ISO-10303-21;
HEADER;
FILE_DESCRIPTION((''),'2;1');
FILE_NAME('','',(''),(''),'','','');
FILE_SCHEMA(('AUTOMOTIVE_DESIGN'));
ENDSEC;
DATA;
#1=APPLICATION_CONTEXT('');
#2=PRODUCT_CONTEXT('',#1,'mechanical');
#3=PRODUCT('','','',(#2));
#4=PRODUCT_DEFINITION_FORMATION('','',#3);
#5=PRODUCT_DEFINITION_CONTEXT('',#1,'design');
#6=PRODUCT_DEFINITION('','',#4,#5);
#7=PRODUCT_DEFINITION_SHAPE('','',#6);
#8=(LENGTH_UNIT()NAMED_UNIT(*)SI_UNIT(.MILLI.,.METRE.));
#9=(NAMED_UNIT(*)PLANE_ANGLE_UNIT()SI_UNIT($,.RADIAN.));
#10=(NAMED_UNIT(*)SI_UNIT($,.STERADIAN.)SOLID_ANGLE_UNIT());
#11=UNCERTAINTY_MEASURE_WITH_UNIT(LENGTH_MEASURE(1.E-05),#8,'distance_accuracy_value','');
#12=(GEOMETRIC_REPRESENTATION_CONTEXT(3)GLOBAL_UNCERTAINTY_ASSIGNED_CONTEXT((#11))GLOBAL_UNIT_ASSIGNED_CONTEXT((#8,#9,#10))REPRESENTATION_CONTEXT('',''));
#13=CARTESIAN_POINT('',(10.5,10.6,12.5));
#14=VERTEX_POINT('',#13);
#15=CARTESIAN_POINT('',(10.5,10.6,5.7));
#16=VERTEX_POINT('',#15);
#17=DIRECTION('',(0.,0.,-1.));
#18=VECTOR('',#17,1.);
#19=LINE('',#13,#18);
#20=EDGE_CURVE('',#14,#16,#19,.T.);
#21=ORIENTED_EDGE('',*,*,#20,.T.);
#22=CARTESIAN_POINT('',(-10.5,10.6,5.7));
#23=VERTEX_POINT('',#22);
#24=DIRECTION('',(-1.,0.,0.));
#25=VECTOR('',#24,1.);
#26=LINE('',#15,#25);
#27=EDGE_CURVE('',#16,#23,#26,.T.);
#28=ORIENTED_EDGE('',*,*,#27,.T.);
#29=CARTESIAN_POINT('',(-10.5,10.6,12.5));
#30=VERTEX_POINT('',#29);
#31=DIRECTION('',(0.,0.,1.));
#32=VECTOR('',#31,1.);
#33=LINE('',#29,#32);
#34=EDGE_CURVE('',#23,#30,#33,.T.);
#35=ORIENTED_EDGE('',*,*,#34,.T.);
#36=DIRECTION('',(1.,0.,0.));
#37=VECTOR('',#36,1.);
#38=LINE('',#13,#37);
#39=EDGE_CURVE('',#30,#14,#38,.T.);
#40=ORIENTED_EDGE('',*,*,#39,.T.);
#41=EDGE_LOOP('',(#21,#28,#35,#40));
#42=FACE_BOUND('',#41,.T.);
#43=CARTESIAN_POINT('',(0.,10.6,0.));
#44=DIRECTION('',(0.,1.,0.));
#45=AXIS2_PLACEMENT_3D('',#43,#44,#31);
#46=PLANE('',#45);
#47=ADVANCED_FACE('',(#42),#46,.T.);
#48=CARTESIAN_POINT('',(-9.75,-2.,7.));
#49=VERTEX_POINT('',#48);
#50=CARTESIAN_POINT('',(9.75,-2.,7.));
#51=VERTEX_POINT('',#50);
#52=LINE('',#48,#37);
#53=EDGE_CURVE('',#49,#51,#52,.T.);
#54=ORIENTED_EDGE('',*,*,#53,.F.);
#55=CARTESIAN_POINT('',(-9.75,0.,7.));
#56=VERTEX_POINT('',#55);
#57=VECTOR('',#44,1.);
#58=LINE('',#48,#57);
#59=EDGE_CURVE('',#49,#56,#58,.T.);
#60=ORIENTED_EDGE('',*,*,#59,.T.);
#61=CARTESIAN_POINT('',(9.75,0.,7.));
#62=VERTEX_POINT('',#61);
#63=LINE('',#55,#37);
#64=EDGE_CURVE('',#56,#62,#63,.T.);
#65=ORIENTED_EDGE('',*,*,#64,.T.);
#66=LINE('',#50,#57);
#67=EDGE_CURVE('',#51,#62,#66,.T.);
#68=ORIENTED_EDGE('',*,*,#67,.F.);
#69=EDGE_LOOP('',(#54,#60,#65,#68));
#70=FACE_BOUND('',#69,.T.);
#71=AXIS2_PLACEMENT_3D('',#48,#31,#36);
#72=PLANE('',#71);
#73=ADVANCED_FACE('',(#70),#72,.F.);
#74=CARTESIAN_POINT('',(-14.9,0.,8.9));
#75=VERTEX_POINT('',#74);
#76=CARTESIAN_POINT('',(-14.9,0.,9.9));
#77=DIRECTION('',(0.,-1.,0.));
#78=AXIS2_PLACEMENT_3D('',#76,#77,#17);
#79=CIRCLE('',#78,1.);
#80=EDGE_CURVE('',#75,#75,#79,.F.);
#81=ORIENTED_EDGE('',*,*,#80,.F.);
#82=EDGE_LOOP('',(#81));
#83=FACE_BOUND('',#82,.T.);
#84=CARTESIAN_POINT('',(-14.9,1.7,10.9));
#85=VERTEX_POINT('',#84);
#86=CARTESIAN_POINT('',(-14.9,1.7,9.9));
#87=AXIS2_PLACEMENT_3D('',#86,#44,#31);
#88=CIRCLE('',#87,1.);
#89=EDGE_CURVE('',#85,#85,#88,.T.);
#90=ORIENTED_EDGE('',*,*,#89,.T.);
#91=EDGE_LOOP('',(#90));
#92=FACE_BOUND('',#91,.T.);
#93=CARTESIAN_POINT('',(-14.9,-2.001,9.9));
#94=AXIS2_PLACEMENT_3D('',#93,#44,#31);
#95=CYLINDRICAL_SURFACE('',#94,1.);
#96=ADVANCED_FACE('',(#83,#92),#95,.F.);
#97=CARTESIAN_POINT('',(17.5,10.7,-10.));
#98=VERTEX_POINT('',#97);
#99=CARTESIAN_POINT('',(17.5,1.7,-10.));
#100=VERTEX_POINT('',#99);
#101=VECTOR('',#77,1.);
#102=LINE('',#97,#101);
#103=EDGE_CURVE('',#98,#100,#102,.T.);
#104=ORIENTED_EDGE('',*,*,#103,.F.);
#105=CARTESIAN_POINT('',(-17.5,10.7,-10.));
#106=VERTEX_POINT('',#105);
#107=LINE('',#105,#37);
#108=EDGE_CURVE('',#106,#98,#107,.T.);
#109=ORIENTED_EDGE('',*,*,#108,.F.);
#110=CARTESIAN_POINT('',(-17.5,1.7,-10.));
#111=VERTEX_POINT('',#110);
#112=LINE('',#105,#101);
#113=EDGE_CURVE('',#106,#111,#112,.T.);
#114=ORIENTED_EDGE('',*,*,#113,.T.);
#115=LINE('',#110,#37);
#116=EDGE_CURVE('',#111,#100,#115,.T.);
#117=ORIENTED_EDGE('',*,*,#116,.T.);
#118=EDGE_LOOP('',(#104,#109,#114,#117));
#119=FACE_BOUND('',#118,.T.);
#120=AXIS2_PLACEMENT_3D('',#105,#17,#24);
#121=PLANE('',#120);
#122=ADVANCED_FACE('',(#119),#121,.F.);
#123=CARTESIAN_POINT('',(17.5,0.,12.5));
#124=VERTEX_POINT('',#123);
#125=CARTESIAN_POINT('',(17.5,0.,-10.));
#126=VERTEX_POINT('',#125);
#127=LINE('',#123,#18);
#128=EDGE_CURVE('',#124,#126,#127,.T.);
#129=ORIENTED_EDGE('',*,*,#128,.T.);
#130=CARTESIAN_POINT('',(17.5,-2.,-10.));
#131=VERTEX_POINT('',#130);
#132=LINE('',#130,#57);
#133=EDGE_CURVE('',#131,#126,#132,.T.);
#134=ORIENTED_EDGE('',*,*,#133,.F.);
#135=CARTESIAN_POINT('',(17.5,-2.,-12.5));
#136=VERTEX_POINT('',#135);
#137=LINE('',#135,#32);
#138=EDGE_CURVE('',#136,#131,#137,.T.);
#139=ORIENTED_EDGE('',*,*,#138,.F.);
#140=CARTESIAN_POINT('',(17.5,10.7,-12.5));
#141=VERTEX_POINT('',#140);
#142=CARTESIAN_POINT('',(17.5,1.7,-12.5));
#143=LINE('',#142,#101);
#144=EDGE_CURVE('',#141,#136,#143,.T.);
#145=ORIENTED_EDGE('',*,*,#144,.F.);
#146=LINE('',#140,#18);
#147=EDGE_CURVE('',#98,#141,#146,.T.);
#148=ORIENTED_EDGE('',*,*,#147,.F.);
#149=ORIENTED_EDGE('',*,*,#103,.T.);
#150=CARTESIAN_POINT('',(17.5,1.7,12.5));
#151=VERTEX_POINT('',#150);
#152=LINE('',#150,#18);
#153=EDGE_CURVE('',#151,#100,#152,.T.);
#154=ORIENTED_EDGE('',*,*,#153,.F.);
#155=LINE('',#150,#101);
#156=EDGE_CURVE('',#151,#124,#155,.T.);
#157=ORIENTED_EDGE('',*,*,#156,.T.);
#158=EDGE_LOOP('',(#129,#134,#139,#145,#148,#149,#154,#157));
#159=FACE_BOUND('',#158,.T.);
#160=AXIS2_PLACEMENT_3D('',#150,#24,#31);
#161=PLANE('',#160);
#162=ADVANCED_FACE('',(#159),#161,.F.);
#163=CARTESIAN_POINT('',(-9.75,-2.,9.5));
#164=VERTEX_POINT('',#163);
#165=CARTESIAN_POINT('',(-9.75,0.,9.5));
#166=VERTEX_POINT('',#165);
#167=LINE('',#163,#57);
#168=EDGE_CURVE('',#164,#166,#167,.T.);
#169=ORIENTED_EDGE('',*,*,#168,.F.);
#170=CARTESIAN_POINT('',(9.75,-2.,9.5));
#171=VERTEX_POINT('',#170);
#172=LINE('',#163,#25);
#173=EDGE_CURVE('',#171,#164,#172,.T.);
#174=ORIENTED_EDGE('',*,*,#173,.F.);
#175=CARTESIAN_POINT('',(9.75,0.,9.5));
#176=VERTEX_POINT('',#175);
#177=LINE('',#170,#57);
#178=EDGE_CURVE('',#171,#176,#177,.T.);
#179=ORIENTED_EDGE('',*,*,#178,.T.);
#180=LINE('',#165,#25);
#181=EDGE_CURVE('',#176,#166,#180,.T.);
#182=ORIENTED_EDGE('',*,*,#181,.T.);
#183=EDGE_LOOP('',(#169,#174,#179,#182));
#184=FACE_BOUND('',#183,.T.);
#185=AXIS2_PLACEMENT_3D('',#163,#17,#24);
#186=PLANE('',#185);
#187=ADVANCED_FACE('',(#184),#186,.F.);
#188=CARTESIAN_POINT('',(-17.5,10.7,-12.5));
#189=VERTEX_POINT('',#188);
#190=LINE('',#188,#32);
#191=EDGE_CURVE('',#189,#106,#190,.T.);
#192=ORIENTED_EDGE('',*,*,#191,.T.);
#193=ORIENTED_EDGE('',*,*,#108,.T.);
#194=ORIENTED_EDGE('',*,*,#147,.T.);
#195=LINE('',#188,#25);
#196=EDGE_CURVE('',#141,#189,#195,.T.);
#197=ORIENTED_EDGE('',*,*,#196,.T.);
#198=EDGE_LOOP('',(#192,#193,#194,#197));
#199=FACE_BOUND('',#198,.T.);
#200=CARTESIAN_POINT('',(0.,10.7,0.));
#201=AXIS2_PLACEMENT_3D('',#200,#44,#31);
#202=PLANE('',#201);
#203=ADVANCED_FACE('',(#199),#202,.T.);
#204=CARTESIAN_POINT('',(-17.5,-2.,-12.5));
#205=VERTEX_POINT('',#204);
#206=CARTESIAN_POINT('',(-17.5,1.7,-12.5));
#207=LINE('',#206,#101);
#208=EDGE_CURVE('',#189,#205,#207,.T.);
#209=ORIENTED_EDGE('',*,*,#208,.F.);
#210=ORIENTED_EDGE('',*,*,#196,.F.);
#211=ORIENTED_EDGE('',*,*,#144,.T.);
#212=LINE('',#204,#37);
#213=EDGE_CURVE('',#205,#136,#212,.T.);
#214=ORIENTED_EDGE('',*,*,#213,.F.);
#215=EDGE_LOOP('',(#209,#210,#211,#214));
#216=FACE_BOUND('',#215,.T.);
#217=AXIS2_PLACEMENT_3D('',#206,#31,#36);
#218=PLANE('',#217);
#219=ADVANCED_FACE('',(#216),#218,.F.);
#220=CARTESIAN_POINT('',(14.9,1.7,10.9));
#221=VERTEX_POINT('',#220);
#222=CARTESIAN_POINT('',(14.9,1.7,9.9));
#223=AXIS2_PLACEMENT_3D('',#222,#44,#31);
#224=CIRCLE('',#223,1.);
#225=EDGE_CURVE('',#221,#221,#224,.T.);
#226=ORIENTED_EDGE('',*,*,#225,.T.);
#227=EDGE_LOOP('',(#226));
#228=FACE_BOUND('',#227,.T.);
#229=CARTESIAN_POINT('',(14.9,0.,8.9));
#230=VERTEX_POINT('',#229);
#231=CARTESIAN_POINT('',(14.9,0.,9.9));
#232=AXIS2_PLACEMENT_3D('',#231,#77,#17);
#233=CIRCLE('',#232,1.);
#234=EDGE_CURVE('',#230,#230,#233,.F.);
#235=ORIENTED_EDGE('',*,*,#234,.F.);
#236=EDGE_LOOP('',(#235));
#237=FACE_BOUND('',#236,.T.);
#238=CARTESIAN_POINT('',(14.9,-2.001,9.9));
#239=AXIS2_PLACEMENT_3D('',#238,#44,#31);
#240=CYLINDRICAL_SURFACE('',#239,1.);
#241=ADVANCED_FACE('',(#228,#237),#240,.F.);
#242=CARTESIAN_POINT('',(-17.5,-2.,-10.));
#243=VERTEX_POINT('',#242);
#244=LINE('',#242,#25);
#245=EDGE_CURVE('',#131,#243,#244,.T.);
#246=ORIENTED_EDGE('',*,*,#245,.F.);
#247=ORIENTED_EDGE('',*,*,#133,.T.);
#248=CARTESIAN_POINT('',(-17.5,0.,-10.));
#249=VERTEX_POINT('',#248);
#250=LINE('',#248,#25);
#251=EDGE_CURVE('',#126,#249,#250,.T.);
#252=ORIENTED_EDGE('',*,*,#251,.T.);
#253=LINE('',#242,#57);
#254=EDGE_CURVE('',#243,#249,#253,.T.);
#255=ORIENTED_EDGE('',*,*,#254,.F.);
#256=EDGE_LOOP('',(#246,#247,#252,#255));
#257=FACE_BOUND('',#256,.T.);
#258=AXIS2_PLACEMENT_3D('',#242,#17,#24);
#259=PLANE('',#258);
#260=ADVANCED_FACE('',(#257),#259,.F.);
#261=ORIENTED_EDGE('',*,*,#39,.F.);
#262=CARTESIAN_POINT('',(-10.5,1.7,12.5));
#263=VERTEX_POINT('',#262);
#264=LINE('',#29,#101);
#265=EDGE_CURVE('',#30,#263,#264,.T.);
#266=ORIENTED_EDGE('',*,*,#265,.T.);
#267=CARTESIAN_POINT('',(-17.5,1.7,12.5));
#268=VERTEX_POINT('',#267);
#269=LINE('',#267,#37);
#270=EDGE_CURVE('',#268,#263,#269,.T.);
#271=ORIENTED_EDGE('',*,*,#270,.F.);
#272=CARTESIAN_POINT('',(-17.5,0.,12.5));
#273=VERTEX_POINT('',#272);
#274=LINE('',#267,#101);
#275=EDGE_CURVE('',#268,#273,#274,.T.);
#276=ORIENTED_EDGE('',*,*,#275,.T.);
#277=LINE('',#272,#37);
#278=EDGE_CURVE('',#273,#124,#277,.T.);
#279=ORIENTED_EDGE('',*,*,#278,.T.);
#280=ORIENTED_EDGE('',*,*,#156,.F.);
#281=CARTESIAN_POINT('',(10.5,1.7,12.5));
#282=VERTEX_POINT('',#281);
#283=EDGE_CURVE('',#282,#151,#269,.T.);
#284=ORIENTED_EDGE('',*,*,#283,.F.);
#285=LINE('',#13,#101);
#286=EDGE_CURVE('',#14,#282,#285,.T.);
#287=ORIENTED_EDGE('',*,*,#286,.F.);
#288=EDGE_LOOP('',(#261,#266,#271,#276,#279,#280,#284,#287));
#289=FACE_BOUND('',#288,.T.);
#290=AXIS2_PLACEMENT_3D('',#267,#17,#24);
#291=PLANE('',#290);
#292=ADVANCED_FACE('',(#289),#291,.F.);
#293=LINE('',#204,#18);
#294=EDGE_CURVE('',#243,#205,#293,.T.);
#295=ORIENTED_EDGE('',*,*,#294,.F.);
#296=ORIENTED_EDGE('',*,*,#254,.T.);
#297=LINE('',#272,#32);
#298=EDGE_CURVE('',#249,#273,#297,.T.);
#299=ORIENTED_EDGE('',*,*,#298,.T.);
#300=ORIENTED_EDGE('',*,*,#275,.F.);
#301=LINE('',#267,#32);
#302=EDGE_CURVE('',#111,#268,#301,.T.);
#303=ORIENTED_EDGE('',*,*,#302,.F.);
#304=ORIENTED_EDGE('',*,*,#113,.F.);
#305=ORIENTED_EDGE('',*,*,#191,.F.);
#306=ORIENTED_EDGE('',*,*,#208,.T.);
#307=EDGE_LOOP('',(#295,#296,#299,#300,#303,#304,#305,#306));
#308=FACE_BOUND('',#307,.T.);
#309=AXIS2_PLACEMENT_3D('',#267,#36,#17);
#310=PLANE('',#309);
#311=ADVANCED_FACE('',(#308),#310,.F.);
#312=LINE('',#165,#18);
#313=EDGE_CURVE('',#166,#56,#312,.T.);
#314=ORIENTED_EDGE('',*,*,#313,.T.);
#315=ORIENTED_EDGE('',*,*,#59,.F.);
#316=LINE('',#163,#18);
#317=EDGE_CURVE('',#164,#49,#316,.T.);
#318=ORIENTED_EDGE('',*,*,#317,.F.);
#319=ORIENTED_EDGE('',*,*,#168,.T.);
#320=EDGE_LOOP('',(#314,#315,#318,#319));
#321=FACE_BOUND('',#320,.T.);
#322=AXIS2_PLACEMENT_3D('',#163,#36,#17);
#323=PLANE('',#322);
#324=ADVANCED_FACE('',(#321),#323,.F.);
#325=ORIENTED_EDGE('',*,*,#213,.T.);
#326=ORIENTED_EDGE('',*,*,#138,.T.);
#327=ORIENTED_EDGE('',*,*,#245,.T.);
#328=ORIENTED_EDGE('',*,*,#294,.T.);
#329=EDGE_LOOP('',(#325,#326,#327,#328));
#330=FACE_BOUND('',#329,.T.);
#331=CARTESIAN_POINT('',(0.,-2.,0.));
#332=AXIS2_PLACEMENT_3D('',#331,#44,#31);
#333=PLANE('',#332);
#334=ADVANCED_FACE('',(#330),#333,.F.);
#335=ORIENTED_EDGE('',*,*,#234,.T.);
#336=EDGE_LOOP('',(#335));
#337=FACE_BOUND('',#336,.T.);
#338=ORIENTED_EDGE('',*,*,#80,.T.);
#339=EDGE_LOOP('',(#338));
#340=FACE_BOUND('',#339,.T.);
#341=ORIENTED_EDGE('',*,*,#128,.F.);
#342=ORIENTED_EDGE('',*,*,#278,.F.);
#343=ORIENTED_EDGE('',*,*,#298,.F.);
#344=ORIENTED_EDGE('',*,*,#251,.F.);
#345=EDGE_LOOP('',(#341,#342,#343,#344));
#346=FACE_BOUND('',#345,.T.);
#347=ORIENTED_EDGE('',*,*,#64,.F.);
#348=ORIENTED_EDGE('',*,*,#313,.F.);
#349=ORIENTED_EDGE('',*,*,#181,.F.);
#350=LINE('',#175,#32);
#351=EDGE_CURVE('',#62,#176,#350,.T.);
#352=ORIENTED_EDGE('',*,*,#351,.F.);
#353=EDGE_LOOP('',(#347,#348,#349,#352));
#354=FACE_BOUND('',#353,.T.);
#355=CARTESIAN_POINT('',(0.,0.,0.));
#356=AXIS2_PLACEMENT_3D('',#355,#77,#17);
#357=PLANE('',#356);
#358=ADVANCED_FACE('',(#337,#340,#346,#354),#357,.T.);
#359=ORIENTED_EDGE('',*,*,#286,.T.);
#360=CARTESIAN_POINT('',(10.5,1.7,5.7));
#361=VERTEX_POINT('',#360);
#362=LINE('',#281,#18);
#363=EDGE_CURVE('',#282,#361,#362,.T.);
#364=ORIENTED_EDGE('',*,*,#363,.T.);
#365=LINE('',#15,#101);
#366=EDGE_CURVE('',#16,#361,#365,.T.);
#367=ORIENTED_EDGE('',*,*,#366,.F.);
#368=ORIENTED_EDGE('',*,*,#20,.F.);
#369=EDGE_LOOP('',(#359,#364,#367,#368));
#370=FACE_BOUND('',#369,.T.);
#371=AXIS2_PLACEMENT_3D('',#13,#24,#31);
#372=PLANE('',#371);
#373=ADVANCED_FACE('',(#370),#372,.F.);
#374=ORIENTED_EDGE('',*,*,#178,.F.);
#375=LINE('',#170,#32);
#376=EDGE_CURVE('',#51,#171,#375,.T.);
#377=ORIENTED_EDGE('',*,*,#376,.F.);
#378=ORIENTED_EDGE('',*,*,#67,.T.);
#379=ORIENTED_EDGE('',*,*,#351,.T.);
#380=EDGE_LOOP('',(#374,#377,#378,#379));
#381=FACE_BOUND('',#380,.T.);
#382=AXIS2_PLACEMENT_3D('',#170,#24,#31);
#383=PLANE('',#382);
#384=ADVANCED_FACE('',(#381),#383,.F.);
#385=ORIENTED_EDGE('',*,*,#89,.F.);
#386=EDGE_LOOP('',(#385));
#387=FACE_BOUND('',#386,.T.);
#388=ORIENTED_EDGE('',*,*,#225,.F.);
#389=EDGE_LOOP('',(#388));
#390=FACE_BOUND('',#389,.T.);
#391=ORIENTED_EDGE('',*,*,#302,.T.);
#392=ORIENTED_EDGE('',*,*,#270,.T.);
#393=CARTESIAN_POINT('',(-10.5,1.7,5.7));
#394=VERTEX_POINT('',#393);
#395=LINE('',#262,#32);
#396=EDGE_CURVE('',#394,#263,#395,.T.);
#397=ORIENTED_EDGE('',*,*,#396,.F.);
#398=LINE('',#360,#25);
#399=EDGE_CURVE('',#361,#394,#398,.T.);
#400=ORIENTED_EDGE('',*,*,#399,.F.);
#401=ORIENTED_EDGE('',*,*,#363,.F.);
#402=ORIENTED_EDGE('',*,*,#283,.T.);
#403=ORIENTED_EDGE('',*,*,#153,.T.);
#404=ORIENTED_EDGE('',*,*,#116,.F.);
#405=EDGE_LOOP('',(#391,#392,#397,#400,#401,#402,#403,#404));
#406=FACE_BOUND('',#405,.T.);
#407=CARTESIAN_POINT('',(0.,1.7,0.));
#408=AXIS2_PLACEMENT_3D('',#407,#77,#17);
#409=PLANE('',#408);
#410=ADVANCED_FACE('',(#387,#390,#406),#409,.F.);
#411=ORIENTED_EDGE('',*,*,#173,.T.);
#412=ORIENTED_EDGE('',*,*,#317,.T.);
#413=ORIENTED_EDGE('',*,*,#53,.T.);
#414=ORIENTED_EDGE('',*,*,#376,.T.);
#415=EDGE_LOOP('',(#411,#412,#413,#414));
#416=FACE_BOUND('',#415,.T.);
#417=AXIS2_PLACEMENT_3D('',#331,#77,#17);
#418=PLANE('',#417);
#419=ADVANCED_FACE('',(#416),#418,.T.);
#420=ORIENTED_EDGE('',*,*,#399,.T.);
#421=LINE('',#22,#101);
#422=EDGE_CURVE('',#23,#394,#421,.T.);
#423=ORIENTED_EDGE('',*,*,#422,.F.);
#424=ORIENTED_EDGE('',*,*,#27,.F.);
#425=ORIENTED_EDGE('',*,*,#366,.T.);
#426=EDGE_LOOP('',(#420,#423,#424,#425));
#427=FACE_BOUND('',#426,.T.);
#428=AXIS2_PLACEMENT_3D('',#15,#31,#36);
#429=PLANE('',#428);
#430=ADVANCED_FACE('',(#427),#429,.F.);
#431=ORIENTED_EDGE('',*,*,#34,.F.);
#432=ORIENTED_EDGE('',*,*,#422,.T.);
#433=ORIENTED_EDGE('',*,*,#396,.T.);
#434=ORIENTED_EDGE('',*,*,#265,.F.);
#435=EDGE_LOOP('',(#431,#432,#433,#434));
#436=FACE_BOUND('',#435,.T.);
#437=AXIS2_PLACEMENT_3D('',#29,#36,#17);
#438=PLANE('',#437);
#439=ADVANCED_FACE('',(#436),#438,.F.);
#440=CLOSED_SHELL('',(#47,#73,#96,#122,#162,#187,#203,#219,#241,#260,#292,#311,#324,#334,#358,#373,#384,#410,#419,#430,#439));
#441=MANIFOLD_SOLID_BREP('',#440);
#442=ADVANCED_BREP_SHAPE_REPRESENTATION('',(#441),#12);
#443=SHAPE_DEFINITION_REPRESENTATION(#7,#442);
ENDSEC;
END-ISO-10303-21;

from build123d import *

# Parameters (mm, degrees)
SKETCH1_W           = 35
SKETCH1_H           = 25
BOSS_EXTRUDE1_DEPTH = 1.7
SKETCH2_W           = 21
SKETCH2_H           = 6.8
BOSS_EXTRUDE2_DEPTH = 8.9
SKETCH3_W           = 35
SKETCH3_H           = 2.5
BOSS_EXTRUDE3_DEPTH = 9
SKETCH4_W           = 35
SKETCH4_H           = 2.5
SKETCH4_W_2         = 19.5
BOSS_EXTRUDE4_DEPTH = 2
CUT_EXTRUDE1_REACH  = 25.313
SKETCH5_R           = 1


with BuildPart() as part:
    # Sketch1 → Boss-Extrude1 (new body)
    with BuildSketch(Plane(origin=(0, 0, 0), x_dir=(1, 0, 0), z_dir=(0, 1, 0))):
        Rectangle(SKETCH1_W, SKETCH1_H)
    extrude(amount=BOSS_EXTRUDE1_DEPTH)

    # Sketch2 → Boss-Extrude2 (add)
    with BuildSketch(Plane(origin=(0, 1.7, 0), x_dir=(1, 0, 0), z_dir=(0, 1, 0))):
        with Locations((0, -9.1)):
            Rectangle(SKETCH2_W, SKETCH2_H)
    extrude(amount=BOSS_EXTRUDE2_DEPTH)

    # Sketch3 → Boss-Extrude3 (add)
    with BuildSketch(Plane(origin=(0, 1.7, 0), x_dir=(1, 0, 0), z_dir=(0, 1, 0))):
        with Locations((0, 11.25)):
            Rectangle(SKETCH3_W, SKETCH3_H)
    extrude(amount=BOSS_EXTRUDE3_DEPTH)

    # Sketch4 → Boss-Extrude4 (add)
    with BuildSketch(Plane.XZ):
        with Locations((0, -11.25)):
            Rectangle(SKETCH4_W, SKETCH4_H)
        with Locations((0, 8.25)):
            Rectangle(SKETCH4_W_2, SKETCH4_H)
    extrude(amount=BOSS_EXTRUDE4_DEPTH)

    # Sketch5 → Cut-Extrude1 (cut, up to next)
    with BuildSketch(Plane(origin=(0, 1.7, 0), x_dir=(1, 0, 0), z_dir=(0, 1, 0)), mode=Mode.PRIVATE) as cut_extrude1_sk1:
        with Locations(Location((14.9, -9.9, 0), (0, 0, 270))):
            Circle(SKETCH5_R)
    cut_extrude1_tool1 = extrude(cut_extrude1_sk1.sketch, amount=-CUT_EXTRUDE1_REACH, mode=Mode.PRIVATE) & part.part
    # Sketch5 → Cut-Extrude1 (cut, up to next)
    with BuildSketch(Plane(origin=(0, 1.7, 0), x_dir=(1, 0, 0), z_dir=(0, 1, 0)), mode=Mode.PRIVATE) as cut_extrude1_sk2:
        with Locations(Location((-14.9, -9.9, 0), (0, 0, 270))):
            Circle(SKETCH5_R)
    cut_extrude1_tool2 = extrude(cut_extrude1_sk2.sketch, amount=-CUT_EXTRUDE1_REACH, mode=Mode.PRIVATE) & part.part
    add(cut_extrude1_tool1.solids().sort_by_distance((14.9, 1.7, 9.9))[0], mode=Mode.SUBTRACT)
    add(cut_extrude1_tool2.solids().sort_by_distance((-14.9, 1.7, 9.9))[0], mode=Mode.SUBTRACT)


solid = part.part
